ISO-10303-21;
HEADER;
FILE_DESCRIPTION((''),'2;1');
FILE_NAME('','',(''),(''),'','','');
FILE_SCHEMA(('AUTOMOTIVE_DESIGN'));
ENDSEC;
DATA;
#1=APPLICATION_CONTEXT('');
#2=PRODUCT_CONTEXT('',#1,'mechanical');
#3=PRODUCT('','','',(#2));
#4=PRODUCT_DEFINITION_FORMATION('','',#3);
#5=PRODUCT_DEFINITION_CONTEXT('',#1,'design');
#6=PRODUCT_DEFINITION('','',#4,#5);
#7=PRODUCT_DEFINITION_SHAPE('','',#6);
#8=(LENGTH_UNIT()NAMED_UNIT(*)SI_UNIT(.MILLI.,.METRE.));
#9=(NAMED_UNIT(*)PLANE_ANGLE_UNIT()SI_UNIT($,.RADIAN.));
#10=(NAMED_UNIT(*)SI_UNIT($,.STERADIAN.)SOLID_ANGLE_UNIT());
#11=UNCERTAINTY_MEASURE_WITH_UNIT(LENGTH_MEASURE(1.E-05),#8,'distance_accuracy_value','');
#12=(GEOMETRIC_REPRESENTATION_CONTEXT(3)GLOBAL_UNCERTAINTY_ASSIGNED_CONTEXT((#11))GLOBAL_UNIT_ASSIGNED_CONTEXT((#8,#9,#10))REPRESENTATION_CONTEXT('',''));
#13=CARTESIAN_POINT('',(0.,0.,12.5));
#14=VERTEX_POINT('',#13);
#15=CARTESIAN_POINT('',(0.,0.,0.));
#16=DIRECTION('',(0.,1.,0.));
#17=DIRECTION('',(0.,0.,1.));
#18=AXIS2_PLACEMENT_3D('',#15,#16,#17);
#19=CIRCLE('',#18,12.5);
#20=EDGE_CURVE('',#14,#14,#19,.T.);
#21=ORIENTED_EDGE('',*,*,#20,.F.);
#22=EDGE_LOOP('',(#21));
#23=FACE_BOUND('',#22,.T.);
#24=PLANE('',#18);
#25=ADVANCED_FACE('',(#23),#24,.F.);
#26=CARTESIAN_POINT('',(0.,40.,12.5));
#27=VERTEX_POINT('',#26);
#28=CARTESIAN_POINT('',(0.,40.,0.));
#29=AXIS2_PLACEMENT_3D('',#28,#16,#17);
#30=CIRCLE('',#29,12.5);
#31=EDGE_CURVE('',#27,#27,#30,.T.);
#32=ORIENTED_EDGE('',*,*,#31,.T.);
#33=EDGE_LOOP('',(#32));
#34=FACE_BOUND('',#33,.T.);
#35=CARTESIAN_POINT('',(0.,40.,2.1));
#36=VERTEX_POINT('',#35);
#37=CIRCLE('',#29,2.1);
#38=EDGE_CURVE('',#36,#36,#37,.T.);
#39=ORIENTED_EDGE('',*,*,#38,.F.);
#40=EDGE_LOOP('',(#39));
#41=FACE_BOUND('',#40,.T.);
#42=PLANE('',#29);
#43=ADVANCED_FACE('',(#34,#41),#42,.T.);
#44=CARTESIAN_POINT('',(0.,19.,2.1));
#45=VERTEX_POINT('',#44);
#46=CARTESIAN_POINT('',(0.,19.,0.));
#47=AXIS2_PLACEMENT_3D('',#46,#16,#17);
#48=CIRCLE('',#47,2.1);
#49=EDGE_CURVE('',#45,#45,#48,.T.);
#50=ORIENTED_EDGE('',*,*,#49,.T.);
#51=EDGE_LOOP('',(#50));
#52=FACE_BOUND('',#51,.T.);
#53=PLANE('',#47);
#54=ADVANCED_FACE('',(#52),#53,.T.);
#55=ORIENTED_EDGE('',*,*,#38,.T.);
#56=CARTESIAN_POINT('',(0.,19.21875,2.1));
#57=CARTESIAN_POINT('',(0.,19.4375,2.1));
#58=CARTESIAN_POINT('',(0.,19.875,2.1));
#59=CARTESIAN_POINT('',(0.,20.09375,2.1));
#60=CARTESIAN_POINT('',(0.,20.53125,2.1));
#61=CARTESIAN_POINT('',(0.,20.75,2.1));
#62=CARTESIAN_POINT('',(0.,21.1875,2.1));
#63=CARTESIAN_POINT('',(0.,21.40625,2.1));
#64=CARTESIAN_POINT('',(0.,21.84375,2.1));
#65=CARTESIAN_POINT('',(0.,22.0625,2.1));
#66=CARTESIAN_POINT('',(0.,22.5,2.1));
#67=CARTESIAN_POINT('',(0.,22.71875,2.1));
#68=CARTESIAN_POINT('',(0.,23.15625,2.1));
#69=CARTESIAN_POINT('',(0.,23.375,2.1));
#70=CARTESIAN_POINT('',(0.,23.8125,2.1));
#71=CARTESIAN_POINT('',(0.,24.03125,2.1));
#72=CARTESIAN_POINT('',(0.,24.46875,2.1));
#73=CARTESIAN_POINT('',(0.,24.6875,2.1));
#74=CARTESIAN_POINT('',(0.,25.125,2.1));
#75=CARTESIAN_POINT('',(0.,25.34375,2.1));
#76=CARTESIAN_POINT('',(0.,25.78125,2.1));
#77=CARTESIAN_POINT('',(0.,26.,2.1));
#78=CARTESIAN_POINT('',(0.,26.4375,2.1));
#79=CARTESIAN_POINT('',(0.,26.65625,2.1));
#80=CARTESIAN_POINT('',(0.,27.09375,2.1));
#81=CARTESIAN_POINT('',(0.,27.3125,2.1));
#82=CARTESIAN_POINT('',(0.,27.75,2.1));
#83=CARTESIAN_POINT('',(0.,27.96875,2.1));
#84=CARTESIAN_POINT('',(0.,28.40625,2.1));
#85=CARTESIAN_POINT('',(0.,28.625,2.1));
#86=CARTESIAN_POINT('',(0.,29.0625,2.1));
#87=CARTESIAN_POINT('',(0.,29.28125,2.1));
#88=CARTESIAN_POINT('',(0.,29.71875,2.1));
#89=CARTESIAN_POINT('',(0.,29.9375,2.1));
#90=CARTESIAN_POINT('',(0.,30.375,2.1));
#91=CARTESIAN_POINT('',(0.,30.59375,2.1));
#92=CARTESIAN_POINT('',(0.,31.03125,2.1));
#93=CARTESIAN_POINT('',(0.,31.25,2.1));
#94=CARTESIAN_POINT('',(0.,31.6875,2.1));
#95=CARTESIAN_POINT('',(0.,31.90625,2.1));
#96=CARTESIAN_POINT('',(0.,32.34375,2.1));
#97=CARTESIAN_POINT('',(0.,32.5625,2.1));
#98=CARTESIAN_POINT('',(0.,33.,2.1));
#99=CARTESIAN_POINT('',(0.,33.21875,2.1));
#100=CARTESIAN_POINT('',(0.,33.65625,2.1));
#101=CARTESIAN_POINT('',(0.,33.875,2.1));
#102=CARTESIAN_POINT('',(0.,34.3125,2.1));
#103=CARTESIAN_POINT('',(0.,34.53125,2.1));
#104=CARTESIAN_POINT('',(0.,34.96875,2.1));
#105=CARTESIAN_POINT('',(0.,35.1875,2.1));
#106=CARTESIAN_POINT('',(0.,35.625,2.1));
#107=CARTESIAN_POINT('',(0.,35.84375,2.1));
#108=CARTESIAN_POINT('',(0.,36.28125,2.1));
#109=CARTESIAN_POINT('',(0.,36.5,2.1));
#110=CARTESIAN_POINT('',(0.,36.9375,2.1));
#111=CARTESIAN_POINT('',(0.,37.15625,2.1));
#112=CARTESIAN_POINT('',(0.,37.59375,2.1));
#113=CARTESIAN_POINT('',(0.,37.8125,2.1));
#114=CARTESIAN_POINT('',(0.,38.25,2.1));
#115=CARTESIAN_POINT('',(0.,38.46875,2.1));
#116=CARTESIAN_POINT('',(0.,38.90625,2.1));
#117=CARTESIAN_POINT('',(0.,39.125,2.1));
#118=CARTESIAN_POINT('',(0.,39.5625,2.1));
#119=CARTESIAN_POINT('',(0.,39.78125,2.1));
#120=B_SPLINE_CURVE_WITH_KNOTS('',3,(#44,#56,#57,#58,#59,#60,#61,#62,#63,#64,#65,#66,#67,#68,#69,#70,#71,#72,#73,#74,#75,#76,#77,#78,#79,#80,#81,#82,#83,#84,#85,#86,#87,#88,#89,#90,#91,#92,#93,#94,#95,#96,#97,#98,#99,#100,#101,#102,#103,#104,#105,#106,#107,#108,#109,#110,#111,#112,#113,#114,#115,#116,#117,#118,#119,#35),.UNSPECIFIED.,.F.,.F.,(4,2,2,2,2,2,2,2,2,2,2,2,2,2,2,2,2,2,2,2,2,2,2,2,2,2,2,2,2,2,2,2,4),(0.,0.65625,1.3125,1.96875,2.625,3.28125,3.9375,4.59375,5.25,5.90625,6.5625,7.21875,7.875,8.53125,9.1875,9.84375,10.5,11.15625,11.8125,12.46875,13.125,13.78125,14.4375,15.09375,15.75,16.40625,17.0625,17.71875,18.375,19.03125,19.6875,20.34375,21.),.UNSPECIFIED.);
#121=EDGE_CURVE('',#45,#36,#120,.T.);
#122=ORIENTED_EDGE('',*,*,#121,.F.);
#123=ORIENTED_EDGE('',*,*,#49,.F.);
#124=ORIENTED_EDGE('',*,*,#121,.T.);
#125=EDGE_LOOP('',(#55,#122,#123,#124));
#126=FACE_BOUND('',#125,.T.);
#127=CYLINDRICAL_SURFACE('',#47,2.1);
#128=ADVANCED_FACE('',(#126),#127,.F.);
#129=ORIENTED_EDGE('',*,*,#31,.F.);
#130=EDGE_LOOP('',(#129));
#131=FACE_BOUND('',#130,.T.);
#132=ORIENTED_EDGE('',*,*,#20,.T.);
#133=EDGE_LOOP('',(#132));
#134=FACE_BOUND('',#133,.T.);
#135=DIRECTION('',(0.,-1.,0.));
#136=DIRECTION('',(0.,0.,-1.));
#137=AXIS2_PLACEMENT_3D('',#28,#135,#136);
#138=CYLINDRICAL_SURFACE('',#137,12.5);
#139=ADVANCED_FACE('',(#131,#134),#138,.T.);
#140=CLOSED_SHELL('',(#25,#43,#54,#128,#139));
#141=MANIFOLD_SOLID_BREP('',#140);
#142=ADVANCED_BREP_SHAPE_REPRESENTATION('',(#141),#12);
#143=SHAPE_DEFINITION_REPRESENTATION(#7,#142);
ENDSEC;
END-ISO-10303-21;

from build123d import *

# Parameters (mm, degrees)
CROQUIS1_R              = 12.5
SALIENTE_EXTRUIR1_DEPTH = 40
SKETCH1_R               = 2.1
CUT_EXTRUDE1_DEPTH      = 21


with BuildPart() as part:
    # Croquis1 → Saliente-Extruir1 (new body)
    with BuildSketch(Plane(origin=(0, 0, 0), x_dir=(1, 0, 0), z_dir=(0, 1, 0))):
        with Locations(Location((0, 0, 0), (0, 0, 270))):
            Circle(CROQUIS1_R)
    extrude(amount=SALIENTE_EXTRUIR1_DEPTH)

    # Sketch1 → Cut-Extrude1 (cut)
    with BuildSketch(Plane(origin=(0, 40, 0), x_dir=(1, 0, 0), z_dir=(0, 1, 0))):
        with Locations(Location((0, 0, 0), (0, 0, 270))):
            Circle(SKETCH1_R)
    extrude(amount=-CUT_EXTRUDE1_DEPTH, mode=Mode.SUBTRACT)


solid = part.part
